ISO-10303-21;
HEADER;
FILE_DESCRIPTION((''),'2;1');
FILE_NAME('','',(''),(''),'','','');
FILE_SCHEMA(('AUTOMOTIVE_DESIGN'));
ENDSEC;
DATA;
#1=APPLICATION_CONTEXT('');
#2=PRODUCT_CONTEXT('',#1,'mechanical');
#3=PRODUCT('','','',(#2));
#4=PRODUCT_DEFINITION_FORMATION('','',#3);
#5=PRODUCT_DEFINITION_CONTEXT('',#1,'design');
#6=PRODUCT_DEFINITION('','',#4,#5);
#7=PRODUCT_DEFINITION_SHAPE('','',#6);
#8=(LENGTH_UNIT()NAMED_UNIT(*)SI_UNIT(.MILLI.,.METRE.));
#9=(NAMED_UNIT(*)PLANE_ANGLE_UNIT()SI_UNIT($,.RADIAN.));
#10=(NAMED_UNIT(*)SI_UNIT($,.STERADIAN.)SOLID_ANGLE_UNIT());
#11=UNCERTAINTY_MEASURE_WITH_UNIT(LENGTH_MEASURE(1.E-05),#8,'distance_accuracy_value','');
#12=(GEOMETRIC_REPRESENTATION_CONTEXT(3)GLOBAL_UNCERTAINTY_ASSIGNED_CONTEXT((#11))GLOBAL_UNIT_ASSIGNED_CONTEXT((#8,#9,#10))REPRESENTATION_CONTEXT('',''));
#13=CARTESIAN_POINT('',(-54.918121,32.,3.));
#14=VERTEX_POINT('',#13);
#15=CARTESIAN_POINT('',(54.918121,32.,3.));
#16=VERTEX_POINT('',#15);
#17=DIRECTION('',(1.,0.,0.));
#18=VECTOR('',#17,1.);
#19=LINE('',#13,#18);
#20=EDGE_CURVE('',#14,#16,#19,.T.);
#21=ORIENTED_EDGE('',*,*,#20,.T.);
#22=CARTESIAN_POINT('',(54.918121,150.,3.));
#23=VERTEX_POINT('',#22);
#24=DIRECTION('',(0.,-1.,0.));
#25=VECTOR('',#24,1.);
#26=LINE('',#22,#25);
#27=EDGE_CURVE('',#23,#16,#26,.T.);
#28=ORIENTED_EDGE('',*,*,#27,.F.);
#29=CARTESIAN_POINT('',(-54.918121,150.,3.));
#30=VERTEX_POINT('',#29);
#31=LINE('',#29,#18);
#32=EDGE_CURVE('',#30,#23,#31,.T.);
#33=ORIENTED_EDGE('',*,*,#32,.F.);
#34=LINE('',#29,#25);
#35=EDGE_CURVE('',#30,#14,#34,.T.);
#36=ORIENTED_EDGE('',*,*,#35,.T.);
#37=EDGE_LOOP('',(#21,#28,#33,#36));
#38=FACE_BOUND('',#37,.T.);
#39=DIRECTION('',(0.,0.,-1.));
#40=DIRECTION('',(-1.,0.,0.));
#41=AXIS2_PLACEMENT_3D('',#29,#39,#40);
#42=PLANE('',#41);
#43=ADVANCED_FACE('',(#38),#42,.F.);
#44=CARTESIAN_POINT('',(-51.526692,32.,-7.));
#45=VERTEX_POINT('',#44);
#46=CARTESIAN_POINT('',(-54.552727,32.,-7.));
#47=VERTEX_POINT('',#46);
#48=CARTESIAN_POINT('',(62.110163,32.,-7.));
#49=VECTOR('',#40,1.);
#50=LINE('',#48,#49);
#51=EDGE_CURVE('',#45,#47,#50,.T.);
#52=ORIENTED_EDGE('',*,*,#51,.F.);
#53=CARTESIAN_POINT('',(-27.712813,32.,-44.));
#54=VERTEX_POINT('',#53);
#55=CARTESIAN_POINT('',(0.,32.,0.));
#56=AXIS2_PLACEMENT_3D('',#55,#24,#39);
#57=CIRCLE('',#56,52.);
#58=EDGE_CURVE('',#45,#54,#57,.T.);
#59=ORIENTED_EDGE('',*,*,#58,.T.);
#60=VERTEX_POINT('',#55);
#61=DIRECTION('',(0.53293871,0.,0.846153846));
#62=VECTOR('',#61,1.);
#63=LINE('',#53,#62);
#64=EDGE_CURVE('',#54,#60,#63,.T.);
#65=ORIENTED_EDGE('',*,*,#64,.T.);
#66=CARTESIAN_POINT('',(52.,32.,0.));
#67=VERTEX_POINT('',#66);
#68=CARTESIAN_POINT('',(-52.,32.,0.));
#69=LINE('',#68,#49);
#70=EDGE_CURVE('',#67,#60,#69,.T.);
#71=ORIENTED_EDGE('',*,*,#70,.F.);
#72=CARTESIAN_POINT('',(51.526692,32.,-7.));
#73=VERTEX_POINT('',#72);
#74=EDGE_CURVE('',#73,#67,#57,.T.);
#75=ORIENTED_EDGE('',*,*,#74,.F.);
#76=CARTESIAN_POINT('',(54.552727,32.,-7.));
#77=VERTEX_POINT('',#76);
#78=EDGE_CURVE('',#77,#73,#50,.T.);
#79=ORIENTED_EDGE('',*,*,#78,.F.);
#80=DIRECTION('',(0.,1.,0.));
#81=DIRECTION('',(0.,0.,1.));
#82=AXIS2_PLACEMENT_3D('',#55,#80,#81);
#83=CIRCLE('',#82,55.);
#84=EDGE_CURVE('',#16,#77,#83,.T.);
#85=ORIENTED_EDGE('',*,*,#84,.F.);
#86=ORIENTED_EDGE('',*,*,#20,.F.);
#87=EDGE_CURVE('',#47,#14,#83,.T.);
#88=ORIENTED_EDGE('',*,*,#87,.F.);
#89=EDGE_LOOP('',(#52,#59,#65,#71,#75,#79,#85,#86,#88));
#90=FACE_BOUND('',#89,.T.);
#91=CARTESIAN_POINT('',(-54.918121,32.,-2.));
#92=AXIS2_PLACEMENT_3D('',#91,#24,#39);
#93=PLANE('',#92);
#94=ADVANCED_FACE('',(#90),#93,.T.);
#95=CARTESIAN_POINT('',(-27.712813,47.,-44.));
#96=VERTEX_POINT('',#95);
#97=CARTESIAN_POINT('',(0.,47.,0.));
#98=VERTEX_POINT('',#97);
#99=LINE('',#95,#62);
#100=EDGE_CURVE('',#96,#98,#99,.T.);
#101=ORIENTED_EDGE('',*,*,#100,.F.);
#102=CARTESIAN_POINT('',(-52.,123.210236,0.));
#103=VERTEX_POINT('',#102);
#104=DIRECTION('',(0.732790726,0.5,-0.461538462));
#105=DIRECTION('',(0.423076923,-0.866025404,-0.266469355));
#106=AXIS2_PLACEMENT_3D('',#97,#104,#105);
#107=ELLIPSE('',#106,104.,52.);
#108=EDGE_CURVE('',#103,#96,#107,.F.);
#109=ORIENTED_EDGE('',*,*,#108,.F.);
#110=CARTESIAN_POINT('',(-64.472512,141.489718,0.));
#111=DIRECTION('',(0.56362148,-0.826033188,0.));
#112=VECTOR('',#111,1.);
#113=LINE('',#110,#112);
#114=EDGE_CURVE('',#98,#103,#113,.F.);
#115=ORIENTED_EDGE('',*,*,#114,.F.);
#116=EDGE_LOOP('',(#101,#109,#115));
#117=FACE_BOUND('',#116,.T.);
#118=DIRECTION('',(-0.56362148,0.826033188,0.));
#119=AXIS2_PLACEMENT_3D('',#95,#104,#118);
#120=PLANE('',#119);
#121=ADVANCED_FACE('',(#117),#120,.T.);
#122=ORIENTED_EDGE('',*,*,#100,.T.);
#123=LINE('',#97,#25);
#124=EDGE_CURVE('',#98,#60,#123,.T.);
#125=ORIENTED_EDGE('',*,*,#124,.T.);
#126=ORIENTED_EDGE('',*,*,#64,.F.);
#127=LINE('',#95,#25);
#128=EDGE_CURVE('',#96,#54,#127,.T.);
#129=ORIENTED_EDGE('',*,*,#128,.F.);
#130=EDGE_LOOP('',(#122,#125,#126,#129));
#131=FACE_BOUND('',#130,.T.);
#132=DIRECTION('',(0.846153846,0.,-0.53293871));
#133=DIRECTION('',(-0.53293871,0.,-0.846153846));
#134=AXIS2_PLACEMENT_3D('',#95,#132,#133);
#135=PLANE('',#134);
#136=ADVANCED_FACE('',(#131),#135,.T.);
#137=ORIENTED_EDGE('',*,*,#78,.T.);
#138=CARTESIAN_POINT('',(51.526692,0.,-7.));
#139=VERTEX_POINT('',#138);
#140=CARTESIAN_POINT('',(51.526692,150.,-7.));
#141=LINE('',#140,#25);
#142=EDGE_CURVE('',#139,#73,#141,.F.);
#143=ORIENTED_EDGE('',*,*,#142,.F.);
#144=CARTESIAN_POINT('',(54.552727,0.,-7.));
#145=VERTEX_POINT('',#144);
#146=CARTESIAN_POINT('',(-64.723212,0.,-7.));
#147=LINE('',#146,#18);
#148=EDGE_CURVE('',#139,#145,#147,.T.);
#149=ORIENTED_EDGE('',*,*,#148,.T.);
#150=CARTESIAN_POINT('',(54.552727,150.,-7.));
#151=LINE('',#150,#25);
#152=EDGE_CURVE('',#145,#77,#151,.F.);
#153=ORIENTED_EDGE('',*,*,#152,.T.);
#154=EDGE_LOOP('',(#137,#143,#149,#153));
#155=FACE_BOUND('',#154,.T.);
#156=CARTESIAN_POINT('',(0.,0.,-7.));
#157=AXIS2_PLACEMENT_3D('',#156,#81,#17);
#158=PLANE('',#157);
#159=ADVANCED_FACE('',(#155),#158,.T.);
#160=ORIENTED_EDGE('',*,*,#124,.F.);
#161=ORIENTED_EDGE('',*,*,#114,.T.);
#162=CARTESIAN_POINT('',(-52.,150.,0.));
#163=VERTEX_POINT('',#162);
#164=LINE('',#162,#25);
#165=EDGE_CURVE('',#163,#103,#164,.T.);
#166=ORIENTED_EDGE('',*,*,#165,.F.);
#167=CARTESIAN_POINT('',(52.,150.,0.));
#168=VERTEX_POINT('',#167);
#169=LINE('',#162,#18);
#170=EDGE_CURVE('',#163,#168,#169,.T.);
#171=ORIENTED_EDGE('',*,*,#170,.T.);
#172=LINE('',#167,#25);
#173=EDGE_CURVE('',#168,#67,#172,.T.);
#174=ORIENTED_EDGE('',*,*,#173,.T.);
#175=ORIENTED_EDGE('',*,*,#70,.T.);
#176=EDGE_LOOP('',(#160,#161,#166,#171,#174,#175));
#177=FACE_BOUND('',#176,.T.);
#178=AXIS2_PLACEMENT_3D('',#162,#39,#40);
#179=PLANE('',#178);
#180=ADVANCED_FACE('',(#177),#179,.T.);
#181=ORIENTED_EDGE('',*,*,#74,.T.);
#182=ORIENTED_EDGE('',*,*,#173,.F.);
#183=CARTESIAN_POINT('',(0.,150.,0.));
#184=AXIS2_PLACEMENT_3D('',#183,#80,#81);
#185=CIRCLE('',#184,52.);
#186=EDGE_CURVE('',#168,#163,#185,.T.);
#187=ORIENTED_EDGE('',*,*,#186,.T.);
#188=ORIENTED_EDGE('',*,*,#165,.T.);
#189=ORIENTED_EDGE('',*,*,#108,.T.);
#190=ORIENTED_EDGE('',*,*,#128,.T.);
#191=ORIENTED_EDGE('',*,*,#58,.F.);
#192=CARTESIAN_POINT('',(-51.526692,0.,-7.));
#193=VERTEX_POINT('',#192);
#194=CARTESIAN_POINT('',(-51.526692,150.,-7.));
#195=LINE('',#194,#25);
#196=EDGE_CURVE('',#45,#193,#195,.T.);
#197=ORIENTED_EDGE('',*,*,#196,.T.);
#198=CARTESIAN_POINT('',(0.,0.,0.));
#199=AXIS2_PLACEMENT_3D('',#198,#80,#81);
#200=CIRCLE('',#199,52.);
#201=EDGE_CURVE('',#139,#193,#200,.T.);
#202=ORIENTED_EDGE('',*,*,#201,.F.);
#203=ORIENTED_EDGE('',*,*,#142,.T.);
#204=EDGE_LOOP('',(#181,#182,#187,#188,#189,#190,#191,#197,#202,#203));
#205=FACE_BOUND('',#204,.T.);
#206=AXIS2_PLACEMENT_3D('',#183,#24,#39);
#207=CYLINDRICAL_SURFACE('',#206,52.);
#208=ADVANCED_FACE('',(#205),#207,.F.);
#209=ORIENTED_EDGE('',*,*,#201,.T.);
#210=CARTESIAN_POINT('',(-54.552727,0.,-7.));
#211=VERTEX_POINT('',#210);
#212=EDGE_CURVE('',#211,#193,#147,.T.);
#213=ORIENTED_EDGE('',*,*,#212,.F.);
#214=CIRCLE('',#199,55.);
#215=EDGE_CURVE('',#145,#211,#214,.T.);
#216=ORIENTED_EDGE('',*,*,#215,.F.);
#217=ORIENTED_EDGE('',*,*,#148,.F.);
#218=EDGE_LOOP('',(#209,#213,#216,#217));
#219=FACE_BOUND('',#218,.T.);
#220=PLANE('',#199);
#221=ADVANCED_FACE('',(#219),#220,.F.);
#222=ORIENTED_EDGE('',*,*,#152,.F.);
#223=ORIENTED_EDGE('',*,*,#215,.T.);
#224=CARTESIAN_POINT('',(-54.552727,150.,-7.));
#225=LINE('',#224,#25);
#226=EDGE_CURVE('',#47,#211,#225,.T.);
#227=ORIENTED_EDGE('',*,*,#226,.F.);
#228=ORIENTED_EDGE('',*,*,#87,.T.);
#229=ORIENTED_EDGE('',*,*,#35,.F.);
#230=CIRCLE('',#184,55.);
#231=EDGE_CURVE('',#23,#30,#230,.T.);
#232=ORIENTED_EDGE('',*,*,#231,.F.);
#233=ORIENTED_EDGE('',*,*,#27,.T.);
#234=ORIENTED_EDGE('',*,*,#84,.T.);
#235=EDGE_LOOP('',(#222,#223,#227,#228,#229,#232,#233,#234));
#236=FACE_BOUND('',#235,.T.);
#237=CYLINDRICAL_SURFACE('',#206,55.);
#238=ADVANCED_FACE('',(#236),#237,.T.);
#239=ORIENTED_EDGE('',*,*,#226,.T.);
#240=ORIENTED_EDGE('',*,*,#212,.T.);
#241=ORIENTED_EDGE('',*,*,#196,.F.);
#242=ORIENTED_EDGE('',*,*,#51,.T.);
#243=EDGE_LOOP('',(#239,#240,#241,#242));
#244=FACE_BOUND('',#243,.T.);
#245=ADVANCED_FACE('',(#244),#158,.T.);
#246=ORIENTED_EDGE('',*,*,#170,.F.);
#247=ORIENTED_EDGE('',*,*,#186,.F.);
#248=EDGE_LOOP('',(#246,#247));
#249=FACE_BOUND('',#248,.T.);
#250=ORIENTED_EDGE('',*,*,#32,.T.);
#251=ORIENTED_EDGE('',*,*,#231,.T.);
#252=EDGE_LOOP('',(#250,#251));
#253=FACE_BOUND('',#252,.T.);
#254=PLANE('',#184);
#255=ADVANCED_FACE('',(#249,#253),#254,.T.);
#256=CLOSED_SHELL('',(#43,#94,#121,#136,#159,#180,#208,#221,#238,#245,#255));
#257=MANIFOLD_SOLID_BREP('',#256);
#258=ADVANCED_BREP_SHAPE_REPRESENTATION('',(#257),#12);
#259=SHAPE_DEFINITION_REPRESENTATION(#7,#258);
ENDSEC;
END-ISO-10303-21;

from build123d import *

# Parameters (mm, degrees)
BOSS_EXTRUDE1_DEPTH = 150
SKETCH3_W           = 109.836241742
SKETCH3_H           = 14
CUT_EXTRUDE3_DEPTH  = 5
CUT_EXTRUDE4_DEPTH  = 10
BOSS_EXTRUDE2_DEPTH = 15
DRAFT2_ANGLE        = 60


with BuildPart() as part:
    # Sketch1 → Boss-Extrude1 (new body)
    with BuildSketch(Plane(origin=(0, 0, 0), x_dir=(1, 0, 0), z_dir=(0, 1, 0))):
        with BuildLine():
            Line((-54.918120871, -3), (54.918120871, -3))
            ThreePointArc((54.918120871, -3), (0, 55), (-54.918120871, -3))
        make_face()
        with BuildLine():
            Line((-52, 0), (52, 0))
            ThreePointArc((52, 0), (0, 52), (-52, 0))
        make_face(mode=Mode.SUBTRACT)
    extrude(amount=BOSS_EXTRUDE1_DEPTH)

    # Sketch3 → Cut-Extrude3 (cut)
    with BuildSketch(Plane.XY.offset(3)):
        with Locations((0, 25)):
            Rectangle(SKETCH3_W, SKETCH3_H)
    extrude(amount=-CUT_EXTRUDE3_DEPTH, mode=Mode.SUBTRACT)

    # Sketch4 → Cut-Extrude4 (cut)
    with BuildSketch(Plane.XY.offset(3)):
        Polygon((0, 0), (62.110162625, 0), (62.110162625, 32), (-64.723211538, 32), (-64.723211538, 0), align=None)
    extrude(amount=-CUT_EXTRUDE4_DEPTH, mode=Mode.SUBTRACT)

    # Sketch6 → Boss-Extrude2 (add)
    with BuildSketch(Plane(origin=(0, 32, 0), x_dir=(-1, 0, 0), z_dir=(0, -1, 0))):
        with BuildLine():
            Line((27.712812921, 44), (0, 0))
            Line((0, 0), (52, 0))
            ThreePointArc((52, 0), (45.525082492, 25.129004438), (27.712812921, 44))
        make_face()
    extrude(amount=-BOSS_EXTRUDE2_DEPTH)

    # Draft2
    draft2_faces = [part.faces().sort_by_distance(p)[0] for p in [
        (-29.079569776, 47, -16.051385257),
    ]]
    draft(draft2_faces, Plane(origin=(-27.712812921, 47, -44), x_dir=(0.5329387100211931, 0, 0.8461538461538461), z_dir=(0.8461538461538461, 0, -0.5329387100211931)), DRAFT2_ANGLE)


solid = part.part
